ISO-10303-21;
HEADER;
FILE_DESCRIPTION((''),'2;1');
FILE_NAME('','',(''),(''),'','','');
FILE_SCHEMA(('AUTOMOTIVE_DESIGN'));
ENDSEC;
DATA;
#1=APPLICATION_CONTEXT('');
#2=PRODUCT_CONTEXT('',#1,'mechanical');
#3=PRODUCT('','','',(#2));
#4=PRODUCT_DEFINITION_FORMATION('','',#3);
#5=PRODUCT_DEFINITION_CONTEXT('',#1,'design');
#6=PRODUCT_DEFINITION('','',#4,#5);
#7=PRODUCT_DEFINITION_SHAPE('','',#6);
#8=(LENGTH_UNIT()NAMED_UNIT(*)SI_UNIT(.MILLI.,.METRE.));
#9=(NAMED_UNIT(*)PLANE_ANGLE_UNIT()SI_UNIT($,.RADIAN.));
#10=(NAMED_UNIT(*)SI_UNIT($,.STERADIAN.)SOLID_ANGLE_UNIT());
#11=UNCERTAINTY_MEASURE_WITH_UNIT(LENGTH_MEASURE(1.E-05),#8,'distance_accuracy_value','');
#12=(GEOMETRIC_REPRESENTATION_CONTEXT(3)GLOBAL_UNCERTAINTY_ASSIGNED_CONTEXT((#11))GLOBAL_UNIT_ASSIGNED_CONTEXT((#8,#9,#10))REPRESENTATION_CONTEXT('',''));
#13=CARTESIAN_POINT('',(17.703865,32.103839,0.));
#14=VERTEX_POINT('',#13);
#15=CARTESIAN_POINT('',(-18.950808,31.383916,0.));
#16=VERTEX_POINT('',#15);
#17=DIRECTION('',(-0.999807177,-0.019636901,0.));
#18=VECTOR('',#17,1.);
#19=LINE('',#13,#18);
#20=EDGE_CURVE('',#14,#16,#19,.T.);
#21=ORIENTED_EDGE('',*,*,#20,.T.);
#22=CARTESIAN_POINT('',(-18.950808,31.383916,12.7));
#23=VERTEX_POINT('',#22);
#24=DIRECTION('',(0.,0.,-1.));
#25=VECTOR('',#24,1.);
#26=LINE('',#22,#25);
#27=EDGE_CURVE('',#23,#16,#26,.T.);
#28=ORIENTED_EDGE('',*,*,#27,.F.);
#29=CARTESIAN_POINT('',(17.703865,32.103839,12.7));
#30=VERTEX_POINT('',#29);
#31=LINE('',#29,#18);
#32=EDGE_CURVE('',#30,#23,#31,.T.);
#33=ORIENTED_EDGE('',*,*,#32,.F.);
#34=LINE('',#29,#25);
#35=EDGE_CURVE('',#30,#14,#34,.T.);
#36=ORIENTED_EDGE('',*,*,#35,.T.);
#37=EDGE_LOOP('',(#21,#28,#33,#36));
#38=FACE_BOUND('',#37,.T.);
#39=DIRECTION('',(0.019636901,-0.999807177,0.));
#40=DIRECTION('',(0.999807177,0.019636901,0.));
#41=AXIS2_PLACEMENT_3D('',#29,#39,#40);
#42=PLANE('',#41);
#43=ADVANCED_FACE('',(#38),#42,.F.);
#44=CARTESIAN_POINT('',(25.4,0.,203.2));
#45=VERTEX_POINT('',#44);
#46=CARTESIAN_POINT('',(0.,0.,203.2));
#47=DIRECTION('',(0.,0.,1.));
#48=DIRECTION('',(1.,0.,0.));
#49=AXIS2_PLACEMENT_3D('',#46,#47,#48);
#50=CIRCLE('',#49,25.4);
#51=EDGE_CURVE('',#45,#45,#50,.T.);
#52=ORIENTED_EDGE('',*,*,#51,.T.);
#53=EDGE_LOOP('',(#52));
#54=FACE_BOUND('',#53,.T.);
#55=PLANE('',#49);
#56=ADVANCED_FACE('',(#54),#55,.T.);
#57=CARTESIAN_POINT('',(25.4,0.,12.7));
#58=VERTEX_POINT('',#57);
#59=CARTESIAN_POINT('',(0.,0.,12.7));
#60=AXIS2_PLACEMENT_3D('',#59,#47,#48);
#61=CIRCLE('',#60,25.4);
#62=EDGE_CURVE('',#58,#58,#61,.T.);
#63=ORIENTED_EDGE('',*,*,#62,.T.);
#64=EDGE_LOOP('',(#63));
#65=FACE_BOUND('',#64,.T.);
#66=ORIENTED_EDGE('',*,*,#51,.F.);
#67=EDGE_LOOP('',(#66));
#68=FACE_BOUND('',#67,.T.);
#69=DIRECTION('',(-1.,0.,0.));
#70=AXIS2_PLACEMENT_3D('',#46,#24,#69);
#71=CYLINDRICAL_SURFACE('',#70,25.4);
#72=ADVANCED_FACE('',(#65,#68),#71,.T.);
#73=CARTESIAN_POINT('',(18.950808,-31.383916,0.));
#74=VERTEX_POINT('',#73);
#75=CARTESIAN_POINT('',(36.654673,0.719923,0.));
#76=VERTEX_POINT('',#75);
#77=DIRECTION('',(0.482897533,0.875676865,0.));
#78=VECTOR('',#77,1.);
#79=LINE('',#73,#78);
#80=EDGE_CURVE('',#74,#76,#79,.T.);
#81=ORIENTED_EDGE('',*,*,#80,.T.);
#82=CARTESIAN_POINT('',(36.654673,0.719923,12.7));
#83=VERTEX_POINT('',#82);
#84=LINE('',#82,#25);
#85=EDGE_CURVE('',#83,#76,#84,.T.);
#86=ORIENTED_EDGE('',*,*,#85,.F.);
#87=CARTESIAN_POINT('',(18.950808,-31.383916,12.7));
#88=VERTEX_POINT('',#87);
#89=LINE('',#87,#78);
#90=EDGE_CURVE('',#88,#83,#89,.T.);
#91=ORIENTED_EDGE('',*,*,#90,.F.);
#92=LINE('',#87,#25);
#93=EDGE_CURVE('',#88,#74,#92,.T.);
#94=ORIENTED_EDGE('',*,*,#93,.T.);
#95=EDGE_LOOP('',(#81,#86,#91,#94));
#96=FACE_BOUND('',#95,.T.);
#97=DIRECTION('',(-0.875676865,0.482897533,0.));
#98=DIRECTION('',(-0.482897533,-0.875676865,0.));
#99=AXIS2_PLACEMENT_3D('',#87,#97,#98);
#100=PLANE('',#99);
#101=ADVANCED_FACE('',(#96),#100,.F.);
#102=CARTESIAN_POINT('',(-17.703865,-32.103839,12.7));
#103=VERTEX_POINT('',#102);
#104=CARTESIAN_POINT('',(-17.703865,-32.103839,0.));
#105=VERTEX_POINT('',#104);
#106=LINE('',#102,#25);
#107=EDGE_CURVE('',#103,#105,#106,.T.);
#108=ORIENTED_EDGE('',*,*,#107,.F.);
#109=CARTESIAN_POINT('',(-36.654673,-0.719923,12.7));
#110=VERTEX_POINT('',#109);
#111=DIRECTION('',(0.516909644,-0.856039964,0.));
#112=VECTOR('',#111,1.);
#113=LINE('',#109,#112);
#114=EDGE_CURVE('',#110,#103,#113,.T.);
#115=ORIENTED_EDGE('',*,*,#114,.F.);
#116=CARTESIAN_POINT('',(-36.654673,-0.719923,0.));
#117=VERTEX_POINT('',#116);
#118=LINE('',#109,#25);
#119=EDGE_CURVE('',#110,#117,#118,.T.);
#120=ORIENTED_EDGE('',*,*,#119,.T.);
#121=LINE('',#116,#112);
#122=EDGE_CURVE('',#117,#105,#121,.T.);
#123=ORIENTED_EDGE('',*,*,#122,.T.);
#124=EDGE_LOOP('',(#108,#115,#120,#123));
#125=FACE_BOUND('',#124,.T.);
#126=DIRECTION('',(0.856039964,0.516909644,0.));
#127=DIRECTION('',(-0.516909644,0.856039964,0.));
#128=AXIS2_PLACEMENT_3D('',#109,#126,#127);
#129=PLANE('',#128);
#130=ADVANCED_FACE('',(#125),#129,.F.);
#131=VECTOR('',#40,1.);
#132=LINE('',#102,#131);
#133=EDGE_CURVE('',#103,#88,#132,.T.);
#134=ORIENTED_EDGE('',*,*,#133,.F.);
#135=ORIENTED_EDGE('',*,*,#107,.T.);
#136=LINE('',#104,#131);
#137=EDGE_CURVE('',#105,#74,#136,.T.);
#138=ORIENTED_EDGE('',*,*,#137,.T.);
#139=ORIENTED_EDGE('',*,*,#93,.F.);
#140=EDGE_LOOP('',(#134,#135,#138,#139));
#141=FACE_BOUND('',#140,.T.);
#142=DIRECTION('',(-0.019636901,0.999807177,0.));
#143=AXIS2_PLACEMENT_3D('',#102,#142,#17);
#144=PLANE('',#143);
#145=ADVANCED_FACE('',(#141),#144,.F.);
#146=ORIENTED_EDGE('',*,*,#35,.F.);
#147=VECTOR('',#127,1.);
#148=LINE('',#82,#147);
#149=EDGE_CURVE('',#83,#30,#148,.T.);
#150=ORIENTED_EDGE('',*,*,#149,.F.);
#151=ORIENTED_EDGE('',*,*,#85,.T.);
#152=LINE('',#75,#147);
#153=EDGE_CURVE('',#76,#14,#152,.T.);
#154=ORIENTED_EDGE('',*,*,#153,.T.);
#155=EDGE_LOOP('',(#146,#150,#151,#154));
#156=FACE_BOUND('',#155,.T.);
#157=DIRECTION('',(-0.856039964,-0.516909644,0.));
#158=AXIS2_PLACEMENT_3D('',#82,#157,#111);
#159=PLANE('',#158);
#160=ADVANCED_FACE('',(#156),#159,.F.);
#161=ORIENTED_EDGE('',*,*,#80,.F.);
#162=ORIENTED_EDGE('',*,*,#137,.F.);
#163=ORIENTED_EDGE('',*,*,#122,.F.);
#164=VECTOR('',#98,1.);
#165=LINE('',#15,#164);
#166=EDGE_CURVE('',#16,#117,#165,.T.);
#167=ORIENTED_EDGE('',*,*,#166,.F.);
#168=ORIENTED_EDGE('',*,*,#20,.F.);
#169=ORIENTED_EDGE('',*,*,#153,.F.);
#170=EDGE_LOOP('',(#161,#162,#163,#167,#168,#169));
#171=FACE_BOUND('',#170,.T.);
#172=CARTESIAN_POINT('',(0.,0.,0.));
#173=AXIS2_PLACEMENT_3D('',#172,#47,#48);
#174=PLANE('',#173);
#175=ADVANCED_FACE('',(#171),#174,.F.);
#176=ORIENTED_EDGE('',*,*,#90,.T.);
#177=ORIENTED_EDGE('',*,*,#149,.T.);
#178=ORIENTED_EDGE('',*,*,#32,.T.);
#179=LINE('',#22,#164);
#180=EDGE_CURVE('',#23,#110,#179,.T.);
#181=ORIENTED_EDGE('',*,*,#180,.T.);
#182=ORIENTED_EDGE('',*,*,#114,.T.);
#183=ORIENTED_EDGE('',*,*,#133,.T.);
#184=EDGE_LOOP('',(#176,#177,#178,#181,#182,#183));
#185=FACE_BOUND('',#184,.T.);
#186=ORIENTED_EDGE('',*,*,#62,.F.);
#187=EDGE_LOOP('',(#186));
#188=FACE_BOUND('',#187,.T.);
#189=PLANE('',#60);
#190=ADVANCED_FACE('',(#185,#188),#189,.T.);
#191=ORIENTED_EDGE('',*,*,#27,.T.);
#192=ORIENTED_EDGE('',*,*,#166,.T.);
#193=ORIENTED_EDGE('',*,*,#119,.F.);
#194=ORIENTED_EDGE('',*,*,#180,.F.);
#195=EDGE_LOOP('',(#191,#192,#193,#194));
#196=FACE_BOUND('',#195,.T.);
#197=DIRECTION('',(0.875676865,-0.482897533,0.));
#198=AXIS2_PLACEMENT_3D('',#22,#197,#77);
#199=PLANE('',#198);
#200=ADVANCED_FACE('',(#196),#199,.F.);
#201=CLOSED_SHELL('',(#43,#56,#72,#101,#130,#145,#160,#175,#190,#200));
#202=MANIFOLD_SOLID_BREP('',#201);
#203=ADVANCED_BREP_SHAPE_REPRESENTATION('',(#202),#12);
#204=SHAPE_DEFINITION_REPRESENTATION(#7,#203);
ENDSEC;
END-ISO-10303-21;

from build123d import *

# Parameters (mm, degrees)
BOSS_EXTRUDE1_DEPTH = 12.7
SKETCH2_R           = 25.4
BOSS_EXTRUDE2_DEPTH = 190.5


with BuildPart() as part:
    # Sketch1 → Boss-Extrude1 (new body)
    with BuildSketch(Plane.XY):
        Polygon((17.703864828, 32.103839389), (-18.950808056, 31.38391638), (-36.654672883, -0.719923008), (-17.703864828, -32.103839389), (18.950808056, -31.38391638), (36.654672883, 0.719923008), align=None)
    extrude(amount=BOSS_EXTRUDE1_DEPTH)

    # Sketch2 → Boss-Extrude2 (add)
    with BuildSketch(Plane.XY.offset(12.7)):
        Circle(SKETCH2_R)
    extrude(amount=BOSS_EXTRUDE2_DEPTH)


solid = part.part
